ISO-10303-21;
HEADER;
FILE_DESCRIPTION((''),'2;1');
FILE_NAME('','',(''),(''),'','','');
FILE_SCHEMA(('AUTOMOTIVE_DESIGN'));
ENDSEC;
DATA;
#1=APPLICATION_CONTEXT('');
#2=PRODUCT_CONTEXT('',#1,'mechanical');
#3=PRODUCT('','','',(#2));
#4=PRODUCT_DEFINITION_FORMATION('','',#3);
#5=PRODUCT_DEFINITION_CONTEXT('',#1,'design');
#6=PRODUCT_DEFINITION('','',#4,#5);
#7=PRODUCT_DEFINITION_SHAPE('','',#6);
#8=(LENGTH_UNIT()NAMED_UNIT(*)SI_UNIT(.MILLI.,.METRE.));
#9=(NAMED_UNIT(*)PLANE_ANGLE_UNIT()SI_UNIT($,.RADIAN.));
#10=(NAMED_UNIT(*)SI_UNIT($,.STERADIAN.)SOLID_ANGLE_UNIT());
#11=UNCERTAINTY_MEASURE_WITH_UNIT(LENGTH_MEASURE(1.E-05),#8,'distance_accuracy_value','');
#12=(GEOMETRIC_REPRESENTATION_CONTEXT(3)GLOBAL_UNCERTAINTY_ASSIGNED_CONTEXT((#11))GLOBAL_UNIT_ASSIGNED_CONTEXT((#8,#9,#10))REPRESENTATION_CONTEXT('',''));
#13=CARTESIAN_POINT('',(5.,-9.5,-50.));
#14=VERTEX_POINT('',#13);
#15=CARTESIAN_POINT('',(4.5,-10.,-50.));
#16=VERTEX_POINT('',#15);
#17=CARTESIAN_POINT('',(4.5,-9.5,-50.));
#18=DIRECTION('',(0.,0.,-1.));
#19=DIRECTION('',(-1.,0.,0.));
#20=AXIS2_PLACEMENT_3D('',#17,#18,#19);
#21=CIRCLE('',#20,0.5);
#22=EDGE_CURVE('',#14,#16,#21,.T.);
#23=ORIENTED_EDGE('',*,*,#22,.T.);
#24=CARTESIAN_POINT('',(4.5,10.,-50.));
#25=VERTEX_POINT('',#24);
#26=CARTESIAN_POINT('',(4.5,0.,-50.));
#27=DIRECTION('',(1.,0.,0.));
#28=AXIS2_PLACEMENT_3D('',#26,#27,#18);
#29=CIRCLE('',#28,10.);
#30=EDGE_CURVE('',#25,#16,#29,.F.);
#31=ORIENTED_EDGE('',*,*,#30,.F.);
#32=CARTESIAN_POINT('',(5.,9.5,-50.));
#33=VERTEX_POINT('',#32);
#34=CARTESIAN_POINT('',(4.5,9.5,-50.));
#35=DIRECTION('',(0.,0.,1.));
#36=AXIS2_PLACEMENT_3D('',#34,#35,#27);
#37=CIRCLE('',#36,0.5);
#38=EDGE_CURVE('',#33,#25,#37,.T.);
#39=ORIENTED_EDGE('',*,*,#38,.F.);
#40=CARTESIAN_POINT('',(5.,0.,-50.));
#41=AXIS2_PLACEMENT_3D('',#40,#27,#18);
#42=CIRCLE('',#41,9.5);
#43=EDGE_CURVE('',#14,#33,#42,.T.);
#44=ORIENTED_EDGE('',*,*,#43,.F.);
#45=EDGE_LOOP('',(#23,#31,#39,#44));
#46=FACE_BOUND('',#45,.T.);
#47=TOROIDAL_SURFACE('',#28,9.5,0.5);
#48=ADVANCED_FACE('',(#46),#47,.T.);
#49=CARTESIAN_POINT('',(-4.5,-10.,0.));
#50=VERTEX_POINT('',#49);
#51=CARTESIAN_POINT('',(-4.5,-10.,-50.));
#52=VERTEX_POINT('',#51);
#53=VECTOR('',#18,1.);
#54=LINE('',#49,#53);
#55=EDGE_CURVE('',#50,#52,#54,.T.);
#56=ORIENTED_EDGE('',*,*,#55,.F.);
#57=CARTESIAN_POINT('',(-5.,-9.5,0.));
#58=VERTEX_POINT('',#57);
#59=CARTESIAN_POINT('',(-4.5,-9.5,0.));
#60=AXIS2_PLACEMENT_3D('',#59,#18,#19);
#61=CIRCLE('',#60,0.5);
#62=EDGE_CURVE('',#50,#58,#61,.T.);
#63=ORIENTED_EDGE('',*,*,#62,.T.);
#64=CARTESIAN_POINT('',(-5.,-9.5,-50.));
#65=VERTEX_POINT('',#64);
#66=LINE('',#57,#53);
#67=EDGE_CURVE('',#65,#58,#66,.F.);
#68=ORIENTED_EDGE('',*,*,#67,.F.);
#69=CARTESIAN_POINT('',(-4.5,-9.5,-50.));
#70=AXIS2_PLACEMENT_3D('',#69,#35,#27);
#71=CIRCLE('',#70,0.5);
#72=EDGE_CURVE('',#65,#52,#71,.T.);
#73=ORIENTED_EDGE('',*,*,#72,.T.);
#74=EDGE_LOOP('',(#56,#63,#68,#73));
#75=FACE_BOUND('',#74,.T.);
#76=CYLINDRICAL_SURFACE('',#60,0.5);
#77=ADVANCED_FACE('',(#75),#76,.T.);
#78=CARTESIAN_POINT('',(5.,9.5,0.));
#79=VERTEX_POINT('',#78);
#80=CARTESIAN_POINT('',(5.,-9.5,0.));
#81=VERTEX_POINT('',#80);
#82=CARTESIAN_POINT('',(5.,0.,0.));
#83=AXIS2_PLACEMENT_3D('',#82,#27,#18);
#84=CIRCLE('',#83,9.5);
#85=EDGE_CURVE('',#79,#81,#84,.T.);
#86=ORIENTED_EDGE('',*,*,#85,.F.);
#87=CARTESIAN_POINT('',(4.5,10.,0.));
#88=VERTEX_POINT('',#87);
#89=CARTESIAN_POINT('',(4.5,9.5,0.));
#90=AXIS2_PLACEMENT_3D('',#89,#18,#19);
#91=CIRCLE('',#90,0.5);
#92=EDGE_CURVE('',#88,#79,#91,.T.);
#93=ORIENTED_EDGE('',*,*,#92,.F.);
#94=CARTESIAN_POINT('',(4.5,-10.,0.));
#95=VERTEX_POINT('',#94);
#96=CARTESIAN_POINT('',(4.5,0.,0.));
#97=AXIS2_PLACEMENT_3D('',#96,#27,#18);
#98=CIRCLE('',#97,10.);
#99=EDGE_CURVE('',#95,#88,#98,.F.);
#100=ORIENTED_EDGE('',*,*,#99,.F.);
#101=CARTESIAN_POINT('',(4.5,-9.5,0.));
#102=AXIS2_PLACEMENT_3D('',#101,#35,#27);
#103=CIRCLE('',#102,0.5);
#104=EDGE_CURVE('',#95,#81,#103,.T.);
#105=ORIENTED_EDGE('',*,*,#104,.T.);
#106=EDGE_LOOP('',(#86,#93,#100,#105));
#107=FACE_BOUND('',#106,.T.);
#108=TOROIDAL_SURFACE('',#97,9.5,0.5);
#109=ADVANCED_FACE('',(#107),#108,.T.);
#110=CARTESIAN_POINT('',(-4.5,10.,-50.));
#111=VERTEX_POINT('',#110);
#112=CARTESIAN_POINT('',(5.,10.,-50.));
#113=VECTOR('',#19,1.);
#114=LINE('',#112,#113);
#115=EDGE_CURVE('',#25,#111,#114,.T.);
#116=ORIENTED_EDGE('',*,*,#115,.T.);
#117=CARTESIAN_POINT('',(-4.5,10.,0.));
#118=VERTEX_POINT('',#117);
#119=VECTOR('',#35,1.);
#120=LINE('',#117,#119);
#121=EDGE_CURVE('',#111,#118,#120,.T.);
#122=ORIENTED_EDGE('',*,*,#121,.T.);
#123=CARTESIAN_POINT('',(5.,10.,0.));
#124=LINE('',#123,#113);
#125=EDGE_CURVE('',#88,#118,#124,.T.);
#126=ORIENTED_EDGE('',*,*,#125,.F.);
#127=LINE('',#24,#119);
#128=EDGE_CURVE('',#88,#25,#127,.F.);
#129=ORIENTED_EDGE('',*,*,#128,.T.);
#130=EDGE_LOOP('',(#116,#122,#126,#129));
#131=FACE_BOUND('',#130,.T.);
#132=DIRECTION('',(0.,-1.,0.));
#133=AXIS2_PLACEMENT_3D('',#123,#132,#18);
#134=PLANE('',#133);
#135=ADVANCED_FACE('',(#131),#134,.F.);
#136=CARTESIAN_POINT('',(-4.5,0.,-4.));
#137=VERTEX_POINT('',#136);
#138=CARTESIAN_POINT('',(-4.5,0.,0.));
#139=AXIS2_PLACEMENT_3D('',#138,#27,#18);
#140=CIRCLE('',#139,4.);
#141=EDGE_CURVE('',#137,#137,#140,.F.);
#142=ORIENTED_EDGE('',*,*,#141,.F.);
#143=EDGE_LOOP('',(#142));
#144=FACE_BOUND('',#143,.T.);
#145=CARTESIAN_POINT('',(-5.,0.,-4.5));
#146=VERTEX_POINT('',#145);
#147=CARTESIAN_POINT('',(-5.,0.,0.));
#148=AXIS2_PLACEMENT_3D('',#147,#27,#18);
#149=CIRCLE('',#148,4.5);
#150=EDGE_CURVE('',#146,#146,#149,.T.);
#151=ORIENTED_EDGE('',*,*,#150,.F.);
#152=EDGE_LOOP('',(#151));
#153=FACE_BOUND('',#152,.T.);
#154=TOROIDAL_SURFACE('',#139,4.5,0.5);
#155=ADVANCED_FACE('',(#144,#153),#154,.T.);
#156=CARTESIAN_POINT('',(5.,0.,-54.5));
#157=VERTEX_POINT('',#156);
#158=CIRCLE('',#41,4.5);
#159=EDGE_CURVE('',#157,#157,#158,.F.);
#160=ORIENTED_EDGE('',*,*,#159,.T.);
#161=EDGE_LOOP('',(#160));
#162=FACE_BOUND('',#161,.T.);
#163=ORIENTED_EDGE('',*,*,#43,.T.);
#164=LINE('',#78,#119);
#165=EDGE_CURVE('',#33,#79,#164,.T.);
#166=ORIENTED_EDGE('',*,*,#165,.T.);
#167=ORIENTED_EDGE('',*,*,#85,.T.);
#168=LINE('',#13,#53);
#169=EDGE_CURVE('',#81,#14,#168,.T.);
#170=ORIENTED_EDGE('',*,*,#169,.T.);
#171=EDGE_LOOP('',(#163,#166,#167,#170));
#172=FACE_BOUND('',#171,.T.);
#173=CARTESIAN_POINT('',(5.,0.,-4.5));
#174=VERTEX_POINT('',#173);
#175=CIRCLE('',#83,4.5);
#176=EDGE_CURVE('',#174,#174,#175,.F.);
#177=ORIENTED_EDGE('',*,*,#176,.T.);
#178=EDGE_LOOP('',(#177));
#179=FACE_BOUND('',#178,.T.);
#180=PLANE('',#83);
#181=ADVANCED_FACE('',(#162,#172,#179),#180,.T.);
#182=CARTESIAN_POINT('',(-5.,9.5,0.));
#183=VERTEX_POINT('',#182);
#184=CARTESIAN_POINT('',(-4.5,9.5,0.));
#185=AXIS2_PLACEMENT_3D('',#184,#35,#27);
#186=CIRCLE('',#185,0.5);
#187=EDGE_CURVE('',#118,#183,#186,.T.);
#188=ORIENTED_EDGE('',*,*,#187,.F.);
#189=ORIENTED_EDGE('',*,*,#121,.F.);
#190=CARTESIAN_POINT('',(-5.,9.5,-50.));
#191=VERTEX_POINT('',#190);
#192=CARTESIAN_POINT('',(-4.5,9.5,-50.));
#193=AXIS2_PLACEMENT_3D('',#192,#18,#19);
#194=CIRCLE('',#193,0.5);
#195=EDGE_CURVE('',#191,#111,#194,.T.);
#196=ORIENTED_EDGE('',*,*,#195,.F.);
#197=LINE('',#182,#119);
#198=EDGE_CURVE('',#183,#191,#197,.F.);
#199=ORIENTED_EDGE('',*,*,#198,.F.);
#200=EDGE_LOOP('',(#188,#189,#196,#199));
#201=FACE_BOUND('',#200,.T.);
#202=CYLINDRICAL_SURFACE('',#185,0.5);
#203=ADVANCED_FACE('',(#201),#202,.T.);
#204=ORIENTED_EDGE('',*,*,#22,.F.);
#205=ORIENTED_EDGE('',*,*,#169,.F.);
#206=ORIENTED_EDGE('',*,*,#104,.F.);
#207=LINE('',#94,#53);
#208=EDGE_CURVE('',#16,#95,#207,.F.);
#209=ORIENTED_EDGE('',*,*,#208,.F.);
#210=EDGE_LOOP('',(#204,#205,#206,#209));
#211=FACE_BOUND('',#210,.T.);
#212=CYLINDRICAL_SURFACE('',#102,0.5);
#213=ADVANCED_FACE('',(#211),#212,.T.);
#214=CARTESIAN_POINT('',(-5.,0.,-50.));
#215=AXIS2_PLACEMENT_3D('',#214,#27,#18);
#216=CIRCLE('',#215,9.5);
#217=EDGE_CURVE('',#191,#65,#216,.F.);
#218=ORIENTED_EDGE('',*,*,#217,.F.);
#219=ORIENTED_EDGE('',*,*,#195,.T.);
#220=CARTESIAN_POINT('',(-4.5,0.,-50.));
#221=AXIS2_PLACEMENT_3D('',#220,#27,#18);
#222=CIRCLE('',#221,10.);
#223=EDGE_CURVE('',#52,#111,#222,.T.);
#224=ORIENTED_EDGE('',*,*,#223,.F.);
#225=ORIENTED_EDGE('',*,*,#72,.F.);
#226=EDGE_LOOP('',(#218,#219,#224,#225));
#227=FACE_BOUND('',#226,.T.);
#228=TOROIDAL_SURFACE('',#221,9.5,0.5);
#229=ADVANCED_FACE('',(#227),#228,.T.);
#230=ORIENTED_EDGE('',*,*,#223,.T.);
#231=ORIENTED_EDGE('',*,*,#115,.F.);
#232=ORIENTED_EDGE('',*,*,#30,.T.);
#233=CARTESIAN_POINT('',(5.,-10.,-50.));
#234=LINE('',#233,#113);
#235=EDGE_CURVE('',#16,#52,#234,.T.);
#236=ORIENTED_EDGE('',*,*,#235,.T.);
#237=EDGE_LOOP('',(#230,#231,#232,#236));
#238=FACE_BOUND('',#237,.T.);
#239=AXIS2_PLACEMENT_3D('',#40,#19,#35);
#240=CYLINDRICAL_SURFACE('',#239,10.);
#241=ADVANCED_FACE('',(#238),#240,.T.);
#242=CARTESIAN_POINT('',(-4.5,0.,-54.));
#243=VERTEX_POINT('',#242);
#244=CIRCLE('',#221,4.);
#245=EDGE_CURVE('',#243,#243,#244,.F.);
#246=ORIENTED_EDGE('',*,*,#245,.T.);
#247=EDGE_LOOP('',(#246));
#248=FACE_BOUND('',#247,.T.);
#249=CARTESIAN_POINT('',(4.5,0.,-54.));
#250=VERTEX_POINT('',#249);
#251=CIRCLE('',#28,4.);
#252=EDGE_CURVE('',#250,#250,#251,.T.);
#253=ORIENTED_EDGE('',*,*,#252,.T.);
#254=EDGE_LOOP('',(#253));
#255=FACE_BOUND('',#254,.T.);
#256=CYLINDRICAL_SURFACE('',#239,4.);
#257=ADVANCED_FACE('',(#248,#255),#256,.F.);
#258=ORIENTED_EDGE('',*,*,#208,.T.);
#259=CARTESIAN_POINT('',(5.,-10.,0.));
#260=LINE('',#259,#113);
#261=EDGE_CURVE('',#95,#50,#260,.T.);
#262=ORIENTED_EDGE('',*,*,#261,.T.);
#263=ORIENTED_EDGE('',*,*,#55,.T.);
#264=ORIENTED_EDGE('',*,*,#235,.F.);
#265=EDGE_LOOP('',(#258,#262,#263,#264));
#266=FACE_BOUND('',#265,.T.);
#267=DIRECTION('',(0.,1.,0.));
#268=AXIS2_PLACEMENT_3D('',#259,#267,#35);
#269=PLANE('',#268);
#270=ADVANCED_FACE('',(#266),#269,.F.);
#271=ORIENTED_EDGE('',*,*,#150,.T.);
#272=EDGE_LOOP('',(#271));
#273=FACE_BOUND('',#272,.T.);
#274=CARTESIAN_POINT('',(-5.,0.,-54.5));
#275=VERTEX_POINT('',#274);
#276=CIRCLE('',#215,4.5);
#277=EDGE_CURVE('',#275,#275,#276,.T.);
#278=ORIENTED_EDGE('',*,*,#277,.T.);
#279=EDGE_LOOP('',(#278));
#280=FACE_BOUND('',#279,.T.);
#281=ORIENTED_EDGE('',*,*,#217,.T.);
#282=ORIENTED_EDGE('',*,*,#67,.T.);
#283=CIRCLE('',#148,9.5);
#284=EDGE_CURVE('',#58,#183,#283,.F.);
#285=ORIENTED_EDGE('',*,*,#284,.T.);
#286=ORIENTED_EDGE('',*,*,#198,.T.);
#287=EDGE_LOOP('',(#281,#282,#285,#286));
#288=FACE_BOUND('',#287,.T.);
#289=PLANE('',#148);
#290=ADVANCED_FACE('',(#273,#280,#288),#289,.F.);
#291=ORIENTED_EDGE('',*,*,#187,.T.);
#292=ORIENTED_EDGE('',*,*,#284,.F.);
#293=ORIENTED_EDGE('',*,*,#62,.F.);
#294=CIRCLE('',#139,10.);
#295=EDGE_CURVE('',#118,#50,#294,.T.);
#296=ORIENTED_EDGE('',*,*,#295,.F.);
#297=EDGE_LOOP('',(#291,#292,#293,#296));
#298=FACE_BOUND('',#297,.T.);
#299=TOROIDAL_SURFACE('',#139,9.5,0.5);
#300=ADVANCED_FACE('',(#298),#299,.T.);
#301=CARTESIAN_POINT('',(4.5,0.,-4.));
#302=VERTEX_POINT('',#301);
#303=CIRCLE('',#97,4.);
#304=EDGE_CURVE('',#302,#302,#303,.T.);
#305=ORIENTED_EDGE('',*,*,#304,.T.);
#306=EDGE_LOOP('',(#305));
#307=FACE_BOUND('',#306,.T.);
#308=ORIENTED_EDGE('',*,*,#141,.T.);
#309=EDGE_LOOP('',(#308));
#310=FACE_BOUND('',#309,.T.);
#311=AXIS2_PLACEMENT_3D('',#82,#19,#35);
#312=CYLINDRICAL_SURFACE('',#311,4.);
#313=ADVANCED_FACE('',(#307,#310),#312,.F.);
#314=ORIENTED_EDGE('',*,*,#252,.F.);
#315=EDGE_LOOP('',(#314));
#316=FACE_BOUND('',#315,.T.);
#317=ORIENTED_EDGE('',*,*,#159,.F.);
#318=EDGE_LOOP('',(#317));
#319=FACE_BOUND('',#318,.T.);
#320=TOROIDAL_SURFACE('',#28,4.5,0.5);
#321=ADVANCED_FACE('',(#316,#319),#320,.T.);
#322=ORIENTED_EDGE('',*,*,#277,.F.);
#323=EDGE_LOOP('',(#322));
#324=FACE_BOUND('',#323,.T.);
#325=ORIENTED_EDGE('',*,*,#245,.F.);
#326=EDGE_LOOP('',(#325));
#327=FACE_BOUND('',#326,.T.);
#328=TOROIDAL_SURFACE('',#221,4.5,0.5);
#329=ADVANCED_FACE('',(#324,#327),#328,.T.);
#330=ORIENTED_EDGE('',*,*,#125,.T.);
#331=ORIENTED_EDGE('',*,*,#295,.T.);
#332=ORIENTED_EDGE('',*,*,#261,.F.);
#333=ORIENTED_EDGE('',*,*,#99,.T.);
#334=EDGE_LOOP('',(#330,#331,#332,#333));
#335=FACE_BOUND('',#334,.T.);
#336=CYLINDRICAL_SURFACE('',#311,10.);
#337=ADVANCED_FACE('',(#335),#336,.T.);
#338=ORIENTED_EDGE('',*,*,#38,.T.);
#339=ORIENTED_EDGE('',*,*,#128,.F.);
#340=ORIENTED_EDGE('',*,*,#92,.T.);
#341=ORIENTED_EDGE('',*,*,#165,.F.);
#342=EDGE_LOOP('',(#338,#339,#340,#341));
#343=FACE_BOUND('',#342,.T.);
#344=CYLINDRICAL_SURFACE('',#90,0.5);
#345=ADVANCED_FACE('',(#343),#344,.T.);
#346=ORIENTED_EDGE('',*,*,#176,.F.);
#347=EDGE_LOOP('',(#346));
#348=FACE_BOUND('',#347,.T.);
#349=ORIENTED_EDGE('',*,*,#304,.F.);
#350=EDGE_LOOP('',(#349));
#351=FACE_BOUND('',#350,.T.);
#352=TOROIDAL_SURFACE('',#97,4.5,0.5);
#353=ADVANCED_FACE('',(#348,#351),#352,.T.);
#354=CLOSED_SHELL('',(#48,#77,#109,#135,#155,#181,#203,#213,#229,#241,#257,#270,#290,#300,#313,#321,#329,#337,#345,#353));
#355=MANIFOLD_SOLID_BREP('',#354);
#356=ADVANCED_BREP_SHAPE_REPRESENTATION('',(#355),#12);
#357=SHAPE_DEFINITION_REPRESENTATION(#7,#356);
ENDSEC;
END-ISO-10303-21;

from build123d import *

# Parameters (mm, degrees)
SKETCH_1_R      = 4
EXTRUDE_1_DEPTH = 5
FILLET_1_R      = 0.5


with BuildPart() as part:
    # 草图1 → 凸台-拉伸1 (new, symmetric)
    with BuildSketch(Plane(origin=(0, 0, 0), x_dir=(0, 0, -1), z_dir=(1, 0, 0))):
        with BuildLine():
            Line((0, 10), (50, 10))
            ThreePointArc((50, 10), (60, 0), (50, -10))
            Line((50, -10), (0, -10))
            ThreePointArc((0, -10), (-10, 0), (0, 10))
        make_face()
        Circle(SKETCH_1_R, mode=Mode.SUBTRACT)
        with Locations((50, 0)):
            Circle(SKETCH_1_R, mode=Mode.SUBTRACT)
    extrude(amount=EXTRUDE_1_DEPTH, both=True)

    # 圆角1
    fillet_1_edges = [part.edges().sort_by_distance(p)[0] for p in [
        (-5, 0, 4),
        (5, 0, 4),
        (5, 0, -60),
        (-5, 0, -46),
        (5, 0, -46),
        (5, 10, -25),
        (5, 0, 10),
        (-5, 10, -25),
        (-5, 0, -60),
        (-5, -10, -25),
        (-5, 0, 10),
        (5, -10, -25),
    ]]
    fillet(fillet_1_edges, radius=FILLET_1_R)


solid = part.part
